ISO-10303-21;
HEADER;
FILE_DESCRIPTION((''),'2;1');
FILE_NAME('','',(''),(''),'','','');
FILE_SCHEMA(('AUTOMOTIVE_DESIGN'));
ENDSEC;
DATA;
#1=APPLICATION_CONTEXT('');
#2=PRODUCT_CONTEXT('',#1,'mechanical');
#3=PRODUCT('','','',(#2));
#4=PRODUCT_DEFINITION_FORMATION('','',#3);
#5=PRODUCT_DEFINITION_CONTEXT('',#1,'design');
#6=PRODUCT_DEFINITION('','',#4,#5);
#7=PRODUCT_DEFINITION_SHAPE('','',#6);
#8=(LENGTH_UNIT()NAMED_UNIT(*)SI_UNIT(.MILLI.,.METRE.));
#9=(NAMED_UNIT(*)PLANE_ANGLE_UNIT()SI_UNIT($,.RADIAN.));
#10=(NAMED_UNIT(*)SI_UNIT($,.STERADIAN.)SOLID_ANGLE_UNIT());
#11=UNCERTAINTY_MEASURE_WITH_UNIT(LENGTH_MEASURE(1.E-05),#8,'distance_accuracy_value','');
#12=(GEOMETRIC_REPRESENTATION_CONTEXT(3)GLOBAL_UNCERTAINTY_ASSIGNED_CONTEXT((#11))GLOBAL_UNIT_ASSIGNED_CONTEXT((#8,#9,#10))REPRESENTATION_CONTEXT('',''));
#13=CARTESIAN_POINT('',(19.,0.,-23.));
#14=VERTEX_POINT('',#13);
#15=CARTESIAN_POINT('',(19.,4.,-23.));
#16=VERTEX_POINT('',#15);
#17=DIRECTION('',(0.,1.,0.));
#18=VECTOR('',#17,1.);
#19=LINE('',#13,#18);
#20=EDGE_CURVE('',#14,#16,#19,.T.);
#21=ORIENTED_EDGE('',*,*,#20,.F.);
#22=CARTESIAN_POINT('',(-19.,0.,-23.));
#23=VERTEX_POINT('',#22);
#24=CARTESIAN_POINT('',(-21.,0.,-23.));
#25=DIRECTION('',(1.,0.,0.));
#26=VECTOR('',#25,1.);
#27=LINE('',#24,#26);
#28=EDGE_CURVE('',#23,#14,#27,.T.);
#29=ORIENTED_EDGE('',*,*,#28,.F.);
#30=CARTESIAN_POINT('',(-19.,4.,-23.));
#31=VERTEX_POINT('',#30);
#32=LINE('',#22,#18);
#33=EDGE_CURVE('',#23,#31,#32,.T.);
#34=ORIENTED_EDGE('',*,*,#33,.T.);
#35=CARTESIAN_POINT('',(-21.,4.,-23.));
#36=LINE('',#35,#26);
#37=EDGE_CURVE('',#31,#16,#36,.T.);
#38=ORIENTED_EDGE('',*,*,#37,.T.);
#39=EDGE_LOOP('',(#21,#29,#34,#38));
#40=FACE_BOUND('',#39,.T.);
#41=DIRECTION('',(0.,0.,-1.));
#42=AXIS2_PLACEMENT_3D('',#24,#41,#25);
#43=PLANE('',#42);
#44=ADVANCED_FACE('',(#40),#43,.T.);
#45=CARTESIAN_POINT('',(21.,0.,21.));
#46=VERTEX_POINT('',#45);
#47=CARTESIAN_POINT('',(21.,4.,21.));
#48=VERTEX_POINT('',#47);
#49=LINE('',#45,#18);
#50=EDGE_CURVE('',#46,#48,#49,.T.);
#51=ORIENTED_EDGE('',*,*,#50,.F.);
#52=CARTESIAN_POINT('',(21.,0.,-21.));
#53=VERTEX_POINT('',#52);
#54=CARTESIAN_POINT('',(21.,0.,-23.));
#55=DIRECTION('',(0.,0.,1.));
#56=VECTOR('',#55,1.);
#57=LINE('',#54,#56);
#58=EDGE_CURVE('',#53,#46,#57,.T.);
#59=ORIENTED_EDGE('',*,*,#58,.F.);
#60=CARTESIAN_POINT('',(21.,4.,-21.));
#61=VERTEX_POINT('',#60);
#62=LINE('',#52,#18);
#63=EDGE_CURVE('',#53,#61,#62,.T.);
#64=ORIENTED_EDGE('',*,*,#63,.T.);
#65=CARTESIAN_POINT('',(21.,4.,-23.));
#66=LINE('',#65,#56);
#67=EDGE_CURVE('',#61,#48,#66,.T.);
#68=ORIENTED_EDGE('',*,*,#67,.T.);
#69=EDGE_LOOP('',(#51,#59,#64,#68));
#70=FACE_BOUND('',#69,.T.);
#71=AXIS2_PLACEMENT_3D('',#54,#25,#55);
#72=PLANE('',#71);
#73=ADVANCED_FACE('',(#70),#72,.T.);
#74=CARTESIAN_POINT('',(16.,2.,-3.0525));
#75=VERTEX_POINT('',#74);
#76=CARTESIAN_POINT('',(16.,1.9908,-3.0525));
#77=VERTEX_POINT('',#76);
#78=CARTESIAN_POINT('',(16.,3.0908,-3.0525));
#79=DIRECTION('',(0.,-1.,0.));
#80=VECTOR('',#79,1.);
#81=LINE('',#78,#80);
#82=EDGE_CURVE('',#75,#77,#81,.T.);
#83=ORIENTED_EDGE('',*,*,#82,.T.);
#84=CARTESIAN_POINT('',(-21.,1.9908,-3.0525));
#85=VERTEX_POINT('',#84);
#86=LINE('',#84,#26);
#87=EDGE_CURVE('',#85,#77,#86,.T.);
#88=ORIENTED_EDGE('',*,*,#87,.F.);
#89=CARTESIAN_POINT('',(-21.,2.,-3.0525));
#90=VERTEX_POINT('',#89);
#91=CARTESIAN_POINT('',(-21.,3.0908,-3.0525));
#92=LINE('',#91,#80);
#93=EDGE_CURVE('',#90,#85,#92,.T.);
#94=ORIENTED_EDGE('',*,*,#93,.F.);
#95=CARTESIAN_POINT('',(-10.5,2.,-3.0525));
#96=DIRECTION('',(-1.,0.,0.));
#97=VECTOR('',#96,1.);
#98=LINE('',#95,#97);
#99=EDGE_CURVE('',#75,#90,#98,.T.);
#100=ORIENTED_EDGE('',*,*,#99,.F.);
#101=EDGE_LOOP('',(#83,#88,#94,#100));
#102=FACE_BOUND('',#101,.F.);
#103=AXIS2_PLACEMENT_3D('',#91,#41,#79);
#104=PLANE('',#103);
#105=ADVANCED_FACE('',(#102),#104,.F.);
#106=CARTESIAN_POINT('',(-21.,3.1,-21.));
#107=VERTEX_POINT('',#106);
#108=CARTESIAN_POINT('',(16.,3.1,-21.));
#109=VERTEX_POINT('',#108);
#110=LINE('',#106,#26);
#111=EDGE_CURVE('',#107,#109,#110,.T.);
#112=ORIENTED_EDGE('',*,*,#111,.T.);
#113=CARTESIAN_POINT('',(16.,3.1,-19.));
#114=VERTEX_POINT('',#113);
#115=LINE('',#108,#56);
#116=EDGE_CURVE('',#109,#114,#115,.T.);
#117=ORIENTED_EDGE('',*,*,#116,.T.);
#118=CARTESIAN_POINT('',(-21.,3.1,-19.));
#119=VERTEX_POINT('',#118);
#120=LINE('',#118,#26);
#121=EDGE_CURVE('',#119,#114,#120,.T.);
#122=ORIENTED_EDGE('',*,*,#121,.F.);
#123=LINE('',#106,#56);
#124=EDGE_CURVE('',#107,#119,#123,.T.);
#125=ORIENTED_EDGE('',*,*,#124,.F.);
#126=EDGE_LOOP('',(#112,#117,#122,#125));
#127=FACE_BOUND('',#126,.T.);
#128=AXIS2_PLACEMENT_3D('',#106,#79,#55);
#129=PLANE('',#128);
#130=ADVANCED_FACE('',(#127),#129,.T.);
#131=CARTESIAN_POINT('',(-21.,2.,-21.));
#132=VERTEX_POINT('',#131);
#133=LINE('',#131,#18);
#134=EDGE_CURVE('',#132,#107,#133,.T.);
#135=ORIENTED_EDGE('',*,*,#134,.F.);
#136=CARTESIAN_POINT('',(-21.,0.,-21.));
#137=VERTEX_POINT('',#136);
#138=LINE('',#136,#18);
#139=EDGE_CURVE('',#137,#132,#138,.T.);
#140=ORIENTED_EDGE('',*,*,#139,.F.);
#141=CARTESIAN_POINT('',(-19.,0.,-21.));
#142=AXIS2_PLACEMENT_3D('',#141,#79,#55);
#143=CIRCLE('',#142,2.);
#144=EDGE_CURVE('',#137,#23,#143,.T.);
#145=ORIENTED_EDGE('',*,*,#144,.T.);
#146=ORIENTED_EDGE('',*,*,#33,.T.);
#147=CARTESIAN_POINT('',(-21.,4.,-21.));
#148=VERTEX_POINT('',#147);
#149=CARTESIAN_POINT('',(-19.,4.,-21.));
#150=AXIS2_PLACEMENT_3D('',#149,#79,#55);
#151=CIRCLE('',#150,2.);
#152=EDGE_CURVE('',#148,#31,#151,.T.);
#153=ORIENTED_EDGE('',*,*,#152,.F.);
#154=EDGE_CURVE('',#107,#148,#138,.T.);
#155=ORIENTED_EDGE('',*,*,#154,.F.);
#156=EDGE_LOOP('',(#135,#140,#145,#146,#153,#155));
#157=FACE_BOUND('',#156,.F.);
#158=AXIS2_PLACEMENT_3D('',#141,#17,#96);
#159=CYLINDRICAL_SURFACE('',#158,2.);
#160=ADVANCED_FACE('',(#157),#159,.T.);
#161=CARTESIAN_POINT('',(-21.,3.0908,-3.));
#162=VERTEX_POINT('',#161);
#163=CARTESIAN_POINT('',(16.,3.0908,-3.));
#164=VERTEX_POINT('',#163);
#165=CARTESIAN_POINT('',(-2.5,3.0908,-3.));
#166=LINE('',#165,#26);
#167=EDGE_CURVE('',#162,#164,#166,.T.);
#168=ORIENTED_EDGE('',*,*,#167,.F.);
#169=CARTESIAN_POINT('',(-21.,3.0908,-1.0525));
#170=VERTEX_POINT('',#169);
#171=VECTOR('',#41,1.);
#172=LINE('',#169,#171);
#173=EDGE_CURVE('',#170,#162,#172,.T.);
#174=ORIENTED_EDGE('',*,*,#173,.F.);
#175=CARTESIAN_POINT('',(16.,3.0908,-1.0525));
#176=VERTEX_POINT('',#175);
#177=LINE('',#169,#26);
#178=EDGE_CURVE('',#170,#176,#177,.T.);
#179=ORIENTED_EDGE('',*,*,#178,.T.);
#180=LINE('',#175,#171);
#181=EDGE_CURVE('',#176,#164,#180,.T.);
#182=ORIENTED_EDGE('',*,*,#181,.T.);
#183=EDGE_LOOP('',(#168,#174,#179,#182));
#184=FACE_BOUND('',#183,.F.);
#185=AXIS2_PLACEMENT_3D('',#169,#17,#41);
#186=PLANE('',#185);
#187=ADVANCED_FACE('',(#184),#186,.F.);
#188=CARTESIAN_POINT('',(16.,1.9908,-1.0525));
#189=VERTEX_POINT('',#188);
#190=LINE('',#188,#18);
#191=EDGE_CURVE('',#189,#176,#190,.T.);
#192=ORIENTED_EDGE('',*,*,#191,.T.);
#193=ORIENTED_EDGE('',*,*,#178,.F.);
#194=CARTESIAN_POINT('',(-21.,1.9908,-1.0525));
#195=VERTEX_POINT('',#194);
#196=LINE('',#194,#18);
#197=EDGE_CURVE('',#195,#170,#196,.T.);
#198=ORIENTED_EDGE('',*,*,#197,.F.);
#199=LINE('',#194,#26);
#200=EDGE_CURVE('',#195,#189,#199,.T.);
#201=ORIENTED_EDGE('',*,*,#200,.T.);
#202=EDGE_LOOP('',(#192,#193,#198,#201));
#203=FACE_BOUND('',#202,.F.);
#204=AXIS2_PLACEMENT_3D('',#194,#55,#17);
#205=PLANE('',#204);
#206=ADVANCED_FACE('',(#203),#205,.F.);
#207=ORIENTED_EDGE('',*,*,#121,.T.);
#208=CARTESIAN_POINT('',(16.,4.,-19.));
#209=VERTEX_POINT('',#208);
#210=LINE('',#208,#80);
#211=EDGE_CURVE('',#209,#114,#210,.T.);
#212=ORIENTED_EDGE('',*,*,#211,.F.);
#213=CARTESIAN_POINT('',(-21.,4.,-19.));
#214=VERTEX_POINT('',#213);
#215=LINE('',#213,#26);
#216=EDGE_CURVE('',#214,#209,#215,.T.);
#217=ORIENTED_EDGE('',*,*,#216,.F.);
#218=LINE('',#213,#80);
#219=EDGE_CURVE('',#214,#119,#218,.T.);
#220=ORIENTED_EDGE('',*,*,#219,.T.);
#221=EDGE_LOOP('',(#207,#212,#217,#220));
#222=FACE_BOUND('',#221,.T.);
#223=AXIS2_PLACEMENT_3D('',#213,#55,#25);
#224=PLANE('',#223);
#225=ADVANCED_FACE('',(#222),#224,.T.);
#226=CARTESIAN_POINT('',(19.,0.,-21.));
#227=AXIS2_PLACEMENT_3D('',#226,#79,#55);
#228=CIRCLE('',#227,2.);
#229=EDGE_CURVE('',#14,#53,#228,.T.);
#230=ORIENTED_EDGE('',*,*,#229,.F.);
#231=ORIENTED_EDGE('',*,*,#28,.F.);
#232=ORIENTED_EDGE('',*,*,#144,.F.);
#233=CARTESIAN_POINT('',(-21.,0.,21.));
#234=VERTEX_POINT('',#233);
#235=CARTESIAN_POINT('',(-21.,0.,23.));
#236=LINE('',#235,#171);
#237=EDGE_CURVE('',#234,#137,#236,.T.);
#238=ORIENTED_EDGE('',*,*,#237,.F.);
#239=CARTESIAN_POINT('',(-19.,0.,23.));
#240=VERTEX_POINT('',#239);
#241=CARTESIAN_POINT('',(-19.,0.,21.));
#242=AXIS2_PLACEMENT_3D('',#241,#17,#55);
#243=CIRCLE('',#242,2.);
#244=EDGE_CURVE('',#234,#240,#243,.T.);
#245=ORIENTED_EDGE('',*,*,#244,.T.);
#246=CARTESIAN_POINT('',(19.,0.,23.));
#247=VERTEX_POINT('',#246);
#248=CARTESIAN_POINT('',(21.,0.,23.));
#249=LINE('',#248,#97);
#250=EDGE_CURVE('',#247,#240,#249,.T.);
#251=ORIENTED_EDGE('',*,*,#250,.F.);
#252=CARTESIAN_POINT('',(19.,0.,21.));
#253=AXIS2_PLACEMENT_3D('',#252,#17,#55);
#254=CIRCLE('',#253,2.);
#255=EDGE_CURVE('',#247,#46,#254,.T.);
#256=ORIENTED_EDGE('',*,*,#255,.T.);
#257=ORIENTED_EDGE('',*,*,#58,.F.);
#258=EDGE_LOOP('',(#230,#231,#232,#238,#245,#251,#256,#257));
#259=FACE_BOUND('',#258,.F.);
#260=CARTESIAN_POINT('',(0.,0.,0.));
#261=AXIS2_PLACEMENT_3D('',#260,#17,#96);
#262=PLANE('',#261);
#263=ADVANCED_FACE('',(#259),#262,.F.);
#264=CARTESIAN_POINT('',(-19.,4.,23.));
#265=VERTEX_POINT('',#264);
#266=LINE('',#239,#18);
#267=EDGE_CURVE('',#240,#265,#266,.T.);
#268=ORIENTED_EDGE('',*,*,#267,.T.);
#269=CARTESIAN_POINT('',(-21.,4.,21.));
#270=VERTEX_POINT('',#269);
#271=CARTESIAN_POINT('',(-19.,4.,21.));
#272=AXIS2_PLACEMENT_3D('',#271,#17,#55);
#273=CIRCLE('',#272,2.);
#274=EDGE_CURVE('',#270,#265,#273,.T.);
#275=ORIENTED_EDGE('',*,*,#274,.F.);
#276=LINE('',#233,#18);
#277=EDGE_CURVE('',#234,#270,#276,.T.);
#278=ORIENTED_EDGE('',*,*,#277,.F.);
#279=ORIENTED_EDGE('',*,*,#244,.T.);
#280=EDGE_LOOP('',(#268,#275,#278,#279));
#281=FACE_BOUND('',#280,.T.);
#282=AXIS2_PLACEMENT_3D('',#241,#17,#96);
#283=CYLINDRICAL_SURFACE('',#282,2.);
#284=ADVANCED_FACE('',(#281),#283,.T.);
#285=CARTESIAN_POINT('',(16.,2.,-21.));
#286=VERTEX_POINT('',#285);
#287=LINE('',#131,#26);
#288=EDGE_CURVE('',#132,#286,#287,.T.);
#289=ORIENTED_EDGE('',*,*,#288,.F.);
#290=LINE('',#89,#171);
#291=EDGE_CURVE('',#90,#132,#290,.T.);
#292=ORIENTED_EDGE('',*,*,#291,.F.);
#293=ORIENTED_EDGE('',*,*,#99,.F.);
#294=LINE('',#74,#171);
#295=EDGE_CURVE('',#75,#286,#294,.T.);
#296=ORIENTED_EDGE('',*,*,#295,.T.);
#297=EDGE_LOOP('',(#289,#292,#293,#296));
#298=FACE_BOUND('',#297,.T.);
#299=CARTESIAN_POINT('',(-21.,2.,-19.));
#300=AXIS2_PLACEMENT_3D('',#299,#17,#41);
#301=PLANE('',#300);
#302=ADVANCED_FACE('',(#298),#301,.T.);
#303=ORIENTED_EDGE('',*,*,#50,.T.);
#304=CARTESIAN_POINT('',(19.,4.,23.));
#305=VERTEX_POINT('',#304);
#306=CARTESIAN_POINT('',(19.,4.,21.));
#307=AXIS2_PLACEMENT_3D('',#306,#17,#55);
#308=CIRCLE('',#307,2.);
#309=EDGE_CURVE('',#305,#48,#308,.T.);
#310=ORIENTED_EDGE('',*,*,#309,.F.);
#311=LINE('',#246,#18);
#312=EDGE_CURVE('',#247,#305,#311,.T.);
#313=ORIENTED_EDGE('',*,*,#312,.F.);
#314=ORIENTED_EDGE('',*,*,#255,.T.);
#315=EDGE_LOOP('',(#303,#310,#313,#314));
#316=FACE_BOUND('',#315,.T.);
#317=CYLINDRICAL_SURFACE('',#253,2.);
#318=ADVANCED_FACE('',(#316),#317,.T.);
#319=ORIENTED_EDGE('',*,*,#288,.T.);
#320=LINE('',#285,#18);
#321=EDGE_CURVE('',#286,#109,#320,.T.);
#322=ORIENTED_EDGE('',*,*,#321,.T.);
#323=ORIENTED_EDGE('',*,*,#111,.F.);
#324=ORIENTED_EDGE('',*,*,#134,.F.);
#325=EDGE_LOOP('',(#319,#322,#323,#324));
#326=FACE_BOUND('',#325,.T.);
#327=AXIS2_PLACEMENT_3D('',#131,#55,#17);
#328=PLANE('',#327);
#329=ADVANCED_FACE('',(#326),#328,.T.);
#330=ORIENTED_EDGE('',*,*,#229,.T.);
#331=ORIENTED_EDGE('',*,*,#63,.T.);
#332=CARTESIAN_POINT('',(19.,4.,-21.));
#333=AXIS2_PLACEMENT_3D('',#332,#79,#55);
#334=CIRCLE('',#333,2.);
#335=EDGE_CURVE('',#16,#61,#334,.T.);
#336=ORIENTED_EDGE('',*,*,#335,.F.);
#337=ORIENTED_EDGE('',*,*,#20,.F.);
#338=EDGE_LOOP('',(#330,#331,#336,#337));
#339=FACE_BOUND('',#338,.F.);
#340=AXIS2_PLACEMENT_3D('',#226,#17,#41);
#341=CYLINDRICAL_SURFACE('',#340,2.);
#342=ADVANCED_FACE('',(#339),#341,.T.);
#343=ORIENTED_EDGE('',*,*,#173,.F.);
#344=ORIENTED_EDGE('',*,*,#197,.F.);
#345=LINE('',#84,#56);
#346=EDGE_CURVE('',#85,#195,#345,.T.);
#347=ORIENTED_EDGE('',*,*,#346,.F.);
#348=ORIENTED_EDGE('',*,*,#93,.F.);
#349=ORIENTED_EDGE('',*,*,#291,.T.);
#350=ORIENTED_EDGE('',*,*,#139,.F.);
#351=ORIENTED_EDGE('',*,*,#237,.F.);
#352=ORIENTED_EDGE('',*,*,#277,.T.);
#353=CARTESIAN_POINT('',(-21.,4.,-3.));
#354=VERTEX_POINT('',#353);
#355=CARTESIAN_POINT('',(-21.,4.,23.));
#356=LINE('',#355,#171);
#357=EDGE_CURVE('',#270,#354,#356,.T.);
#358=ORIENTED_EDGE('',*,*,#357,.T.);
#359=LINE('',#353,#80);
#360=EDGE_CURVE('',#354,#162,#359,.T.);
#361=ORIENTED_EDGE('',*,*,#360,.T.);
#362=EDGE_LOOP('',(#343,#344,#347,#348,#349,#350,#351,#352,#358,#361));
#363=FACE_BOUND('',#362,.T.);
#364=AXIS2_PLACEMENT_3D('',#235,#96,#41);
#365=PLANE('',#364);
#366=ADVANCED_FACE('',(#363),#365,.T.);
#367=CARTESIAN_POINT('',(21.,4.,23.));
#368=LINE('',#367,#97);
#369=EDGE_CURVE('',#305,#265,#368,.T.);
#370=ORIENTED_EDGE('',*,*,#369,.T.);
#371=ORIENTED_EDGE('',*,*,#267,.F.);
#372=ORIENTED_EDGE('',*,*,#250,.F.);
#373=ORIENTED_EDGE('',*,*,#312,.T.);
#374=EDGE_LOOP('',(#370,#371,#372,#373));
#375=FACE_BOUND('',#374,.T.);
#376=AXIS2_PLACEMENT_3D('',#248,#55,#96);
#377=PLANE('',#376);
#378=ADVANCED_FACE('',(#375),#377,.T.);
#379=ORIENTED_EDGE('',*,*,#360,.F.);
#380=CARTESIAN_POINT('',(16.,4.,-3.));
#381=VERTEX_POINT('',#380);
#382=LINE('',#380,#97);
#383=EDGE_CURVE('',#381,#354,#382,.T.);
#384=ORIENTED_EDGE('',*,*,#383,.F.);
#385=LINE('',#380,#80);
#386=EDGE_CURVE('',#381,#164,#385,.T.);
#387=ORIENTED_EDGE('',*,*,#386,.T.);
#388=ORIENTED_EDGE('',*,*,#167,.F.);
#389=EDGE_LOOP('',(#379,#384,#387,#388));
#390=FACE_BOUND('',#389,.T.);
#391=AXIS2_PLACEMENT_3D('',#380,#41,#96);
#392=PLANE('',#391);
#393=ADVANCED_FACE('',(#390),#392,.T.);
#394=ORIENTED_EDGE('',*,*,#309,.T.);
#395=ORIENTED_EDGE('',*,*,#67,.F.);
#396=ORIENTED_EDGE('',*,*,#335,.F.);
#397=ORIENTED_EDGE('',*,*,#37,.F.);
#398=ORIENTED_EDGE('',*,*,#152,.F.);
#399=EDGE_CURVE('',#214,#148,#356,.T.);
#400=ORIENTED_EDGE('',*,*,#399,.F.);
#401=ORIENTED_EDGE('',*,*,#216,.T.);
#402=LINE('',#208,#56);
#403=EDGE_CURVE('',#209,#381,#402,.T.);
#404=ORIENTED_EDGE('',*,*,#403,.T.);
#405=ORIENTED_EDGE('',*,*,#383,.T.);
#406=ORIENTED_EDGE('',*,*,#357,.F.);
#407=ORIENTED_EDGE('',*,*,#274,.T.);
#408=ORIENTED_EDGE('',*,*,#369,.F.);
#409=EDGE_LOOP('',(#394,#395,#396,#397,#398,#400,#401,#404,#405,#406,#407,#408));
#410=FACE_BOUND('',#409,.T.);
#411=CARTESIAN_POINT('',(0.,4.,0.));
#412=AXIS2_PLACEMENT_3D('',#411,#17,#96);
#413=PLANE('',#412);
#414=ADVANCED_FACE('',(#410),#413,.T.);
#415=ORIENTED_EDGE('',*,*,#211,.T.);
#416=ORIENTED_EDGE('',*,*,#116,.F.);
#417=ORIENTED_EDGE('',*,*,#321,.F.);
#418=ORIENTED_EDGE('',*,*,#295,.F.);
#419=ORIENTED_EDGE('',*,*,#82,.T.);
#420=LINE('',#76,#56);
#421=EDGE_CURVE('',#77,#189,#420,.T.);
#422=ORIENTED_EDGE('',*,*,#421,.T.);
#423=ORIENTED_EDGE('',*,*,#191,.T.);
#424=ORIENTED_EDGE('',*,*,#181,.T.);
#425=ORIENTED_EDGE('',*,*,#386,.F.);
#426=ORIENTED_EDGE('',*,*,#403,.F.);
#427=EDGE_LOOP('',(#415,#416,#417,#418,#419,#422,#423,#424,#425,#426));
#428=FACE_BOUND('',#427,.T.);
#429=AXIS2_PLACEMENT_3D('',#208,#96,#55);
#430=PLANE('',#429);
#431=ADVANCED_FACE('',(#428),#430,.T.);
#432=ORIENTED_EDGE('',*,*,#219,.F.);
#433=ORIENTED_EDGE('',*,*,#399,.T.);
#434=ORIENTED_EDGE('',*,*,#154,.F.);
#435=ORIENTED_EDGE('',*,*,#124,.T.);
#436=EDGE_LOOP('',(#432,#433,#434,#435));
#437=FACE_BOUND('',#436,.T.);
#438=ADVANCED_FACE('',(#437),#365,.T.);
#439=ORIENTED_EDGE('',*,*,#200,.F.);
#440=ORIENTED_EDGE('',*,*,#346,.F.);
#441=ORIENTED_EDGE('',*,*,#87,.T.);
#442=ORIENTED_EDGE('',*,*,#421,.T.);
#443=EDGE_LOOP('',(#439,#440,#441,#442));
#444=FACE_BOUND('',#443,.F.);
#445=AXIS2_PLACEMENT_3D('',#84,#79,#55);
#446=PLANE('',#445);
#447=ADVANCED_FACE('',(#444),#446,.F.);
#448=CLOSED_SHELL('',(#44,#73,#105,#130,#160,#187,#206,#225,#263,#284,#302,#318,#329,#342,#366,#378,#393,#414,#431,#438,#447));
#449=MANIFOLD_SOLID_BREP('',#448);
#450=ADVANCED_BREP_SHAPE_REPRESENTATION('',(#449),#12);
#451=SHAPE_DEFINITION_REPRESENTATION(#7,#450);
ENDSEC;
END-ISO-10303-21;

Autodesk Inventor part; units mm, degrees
ref_plane "YZ Plane" through (0, 0, 0) normal (1, 0, 0) x (0, 1, 0)
ref_plane "XZ Plane" through (0, 0, 0) normal (0, 1, 0) x (-1, 0, 0)
ref_plane "XY Plane" through (0, 0, 0) normal (0, 0, 1) x (1, 0, 0)
sketch "Sketch1" plane through (0, 0, 0) normal (0, 1, 0) x (-1, 0, 0)
  line L0 (-21, 23) -> (21, 23)
  line L1 (21, 23) -> (21, -23)
  line L2 (21, -23) -> (-21, -23)
  line L3 (-21, -23) -> (-21, 23)
  line L4 (-21, 23) -> (21, -23) construction
  line L5 (21, 23) -> (-21, -23) construction
  point P0 (0, 0)
  dimension "d0" = 42
  dimension "d1" = 46
extrude "wall3" add sketch "Sketch1" along normal blind 4
fillet "Fillet6" radius 2 1 edges at (-21, 2, -23)
fillet "Fillet7" radius 2 1 edges at (21, 2, -23)
fillet "Fillet8" radius 2 1 edges at (-21, 2, 23)
fillet "Fillet9" radius 2 1 edges at (21, 2, 23)
sketch "Sketch10" plane through (0, 4, 0) normal (0, 1, 0) x (1, 0, 0)
  line L0 (-20.8799, 11) -> (21, 11) construction
  line L1 (21, -21) -> (21, 21) projected
  line L2 (14.0018, 23) -> (14.0018, -23) construction
  line L3 (-19, -23) -> (19, -23) projected
  line L4 (19, 23) -> (-19, 23) projected
  line L5 (-21, 19) -> (16, 19)
  line L6 (16, 19) -> (16, 3)
  line L7 (16, 3) -> (-21, 3)
  line L8 (-21, 3) -> (-21, 19)
  line L9 (-21, 19) -> (16, 3) construction
  line L10 (16, 19) -> (-21, 3) construction
  line L11 (-21, 21) -> (-21, -21) projected
  point P0 (0, 0)
  point P1 (-2.5, 11)
  dimension "d98" = 34
  dimension "d99" = 16
  dimension "d100" = 5
extrude "Extrusion8" cut sketch "Sketch10" against normal blind 2
sketch "Sketch12" plane through (-21, 0, -21) normal (-1, 0, 0) x (0, 0, 1)
  line L0 (17.9475, 1.9908) -> (19.9475, 1.9908)
  line L1 (19.9475, 1.9908) -> (19.9475, 3.0908)
  line L2 (19.9475, 3.0908) -> (17.9475, 3.0908)
  line L3 (17.9475, 3.0908) -> (17.9475, 1.9908)
  line L4 (2, 2) -> (0, 2)
  line L5 (0, 2) -> (0, 3.1)
  line L6 (0, 3.1) -> (2, 3.1)
  line L7 (2, 3.1) -> (2, 2)
  point P0 (21, 0)
  dimension "d102" = 0
  dimension "d103" = 2
  dimension "d104" = 1.1
  dimension "d105" = 2
  dimension "d106" = 1.1
extrude "Extrusion9" cut sketch "Sketch12" against normal blind 37
equation "\"d0\" = wallw"
equation "\"d72\" = wall3_thick"
equation "\"d89\" = cornerrad"
equation "\"d90\" = cornerrad"
equation "\"d91\" = cornerrad"
equation "\"d92\" = cornerrad"
equation "\"d98\" = distancefrombottom"
equation "\"d99\" = adapterh"
equation "\"d100\" = -0.5 * adapterw + 0.5 * wallw"
equation "\"d101\" = wall3slotd"
equation "\"d104\" = d106"
equation "\"printer3dtolerance\" = 0.1"
equation "\"wallw\" = 42"
equation "\"wallh\" = 44"
equation "\"cornerrad\" = 2"
equation "\"baseextra\" = 2"
equation "\"wall1_thick\" = 8"
equation "\"wall2_thick\" = 6.4"
equation "\"wall3_thick\" = 4"
equation "\"wall1slot\" = 8.1"
equation "\"wall2slot\" = 6.5"
equation "\"wall3slot\" = 4.1"
equation "\"gap2\" = 28"
equation "\"baseh\" = 79"
equation "\"basew\" = 44"
equation "\"base_thick\" = 6"
equation "\"base_slots_depth\" = 4"
equation "\"servomounth\" = 4"
equation "\"servosmallcircledia\" = 5.9"
equation "\"servomountsquare\" = 4"
equation "\"servobigcircledia\" = 11.6"
equation "\"servo9gw\" = 22.8"
equation "\"distancefromleft\" = 22"
equation "\"servopolygonl\" = 5.9"
equation "\"servopolygonr\" = 6.1"
equation "\"distancefrombottom\" = 34"
equation "\"d49\" = distancefrombottom"
equation "\"adapterh\" = 16"
equation "\"adapterw\" = 32"
equation "\"wall3slotw\" = 36"
equation "\"wall3slotd\" = 2"
equation "\"armslotd\" = 2"
equation "\"armthick\" = 3"
equation "\"armw\" = 34"
equation "\"fanhs\" = 9.6"
equation "\"fanhb\" = 11"
equation "\"adapterwallslotd\" = 2"
equation "\"adapterwallthick\" = 6"
equation "\"hornscrewholed\" = 2"
equation "\"armhornthick\" = 3"
equation "\"hornthick\" = 1.5"
equation "\"hornscrewheadd\" = 3"
properties part number "wall-end" material "Wood (Oak)"
